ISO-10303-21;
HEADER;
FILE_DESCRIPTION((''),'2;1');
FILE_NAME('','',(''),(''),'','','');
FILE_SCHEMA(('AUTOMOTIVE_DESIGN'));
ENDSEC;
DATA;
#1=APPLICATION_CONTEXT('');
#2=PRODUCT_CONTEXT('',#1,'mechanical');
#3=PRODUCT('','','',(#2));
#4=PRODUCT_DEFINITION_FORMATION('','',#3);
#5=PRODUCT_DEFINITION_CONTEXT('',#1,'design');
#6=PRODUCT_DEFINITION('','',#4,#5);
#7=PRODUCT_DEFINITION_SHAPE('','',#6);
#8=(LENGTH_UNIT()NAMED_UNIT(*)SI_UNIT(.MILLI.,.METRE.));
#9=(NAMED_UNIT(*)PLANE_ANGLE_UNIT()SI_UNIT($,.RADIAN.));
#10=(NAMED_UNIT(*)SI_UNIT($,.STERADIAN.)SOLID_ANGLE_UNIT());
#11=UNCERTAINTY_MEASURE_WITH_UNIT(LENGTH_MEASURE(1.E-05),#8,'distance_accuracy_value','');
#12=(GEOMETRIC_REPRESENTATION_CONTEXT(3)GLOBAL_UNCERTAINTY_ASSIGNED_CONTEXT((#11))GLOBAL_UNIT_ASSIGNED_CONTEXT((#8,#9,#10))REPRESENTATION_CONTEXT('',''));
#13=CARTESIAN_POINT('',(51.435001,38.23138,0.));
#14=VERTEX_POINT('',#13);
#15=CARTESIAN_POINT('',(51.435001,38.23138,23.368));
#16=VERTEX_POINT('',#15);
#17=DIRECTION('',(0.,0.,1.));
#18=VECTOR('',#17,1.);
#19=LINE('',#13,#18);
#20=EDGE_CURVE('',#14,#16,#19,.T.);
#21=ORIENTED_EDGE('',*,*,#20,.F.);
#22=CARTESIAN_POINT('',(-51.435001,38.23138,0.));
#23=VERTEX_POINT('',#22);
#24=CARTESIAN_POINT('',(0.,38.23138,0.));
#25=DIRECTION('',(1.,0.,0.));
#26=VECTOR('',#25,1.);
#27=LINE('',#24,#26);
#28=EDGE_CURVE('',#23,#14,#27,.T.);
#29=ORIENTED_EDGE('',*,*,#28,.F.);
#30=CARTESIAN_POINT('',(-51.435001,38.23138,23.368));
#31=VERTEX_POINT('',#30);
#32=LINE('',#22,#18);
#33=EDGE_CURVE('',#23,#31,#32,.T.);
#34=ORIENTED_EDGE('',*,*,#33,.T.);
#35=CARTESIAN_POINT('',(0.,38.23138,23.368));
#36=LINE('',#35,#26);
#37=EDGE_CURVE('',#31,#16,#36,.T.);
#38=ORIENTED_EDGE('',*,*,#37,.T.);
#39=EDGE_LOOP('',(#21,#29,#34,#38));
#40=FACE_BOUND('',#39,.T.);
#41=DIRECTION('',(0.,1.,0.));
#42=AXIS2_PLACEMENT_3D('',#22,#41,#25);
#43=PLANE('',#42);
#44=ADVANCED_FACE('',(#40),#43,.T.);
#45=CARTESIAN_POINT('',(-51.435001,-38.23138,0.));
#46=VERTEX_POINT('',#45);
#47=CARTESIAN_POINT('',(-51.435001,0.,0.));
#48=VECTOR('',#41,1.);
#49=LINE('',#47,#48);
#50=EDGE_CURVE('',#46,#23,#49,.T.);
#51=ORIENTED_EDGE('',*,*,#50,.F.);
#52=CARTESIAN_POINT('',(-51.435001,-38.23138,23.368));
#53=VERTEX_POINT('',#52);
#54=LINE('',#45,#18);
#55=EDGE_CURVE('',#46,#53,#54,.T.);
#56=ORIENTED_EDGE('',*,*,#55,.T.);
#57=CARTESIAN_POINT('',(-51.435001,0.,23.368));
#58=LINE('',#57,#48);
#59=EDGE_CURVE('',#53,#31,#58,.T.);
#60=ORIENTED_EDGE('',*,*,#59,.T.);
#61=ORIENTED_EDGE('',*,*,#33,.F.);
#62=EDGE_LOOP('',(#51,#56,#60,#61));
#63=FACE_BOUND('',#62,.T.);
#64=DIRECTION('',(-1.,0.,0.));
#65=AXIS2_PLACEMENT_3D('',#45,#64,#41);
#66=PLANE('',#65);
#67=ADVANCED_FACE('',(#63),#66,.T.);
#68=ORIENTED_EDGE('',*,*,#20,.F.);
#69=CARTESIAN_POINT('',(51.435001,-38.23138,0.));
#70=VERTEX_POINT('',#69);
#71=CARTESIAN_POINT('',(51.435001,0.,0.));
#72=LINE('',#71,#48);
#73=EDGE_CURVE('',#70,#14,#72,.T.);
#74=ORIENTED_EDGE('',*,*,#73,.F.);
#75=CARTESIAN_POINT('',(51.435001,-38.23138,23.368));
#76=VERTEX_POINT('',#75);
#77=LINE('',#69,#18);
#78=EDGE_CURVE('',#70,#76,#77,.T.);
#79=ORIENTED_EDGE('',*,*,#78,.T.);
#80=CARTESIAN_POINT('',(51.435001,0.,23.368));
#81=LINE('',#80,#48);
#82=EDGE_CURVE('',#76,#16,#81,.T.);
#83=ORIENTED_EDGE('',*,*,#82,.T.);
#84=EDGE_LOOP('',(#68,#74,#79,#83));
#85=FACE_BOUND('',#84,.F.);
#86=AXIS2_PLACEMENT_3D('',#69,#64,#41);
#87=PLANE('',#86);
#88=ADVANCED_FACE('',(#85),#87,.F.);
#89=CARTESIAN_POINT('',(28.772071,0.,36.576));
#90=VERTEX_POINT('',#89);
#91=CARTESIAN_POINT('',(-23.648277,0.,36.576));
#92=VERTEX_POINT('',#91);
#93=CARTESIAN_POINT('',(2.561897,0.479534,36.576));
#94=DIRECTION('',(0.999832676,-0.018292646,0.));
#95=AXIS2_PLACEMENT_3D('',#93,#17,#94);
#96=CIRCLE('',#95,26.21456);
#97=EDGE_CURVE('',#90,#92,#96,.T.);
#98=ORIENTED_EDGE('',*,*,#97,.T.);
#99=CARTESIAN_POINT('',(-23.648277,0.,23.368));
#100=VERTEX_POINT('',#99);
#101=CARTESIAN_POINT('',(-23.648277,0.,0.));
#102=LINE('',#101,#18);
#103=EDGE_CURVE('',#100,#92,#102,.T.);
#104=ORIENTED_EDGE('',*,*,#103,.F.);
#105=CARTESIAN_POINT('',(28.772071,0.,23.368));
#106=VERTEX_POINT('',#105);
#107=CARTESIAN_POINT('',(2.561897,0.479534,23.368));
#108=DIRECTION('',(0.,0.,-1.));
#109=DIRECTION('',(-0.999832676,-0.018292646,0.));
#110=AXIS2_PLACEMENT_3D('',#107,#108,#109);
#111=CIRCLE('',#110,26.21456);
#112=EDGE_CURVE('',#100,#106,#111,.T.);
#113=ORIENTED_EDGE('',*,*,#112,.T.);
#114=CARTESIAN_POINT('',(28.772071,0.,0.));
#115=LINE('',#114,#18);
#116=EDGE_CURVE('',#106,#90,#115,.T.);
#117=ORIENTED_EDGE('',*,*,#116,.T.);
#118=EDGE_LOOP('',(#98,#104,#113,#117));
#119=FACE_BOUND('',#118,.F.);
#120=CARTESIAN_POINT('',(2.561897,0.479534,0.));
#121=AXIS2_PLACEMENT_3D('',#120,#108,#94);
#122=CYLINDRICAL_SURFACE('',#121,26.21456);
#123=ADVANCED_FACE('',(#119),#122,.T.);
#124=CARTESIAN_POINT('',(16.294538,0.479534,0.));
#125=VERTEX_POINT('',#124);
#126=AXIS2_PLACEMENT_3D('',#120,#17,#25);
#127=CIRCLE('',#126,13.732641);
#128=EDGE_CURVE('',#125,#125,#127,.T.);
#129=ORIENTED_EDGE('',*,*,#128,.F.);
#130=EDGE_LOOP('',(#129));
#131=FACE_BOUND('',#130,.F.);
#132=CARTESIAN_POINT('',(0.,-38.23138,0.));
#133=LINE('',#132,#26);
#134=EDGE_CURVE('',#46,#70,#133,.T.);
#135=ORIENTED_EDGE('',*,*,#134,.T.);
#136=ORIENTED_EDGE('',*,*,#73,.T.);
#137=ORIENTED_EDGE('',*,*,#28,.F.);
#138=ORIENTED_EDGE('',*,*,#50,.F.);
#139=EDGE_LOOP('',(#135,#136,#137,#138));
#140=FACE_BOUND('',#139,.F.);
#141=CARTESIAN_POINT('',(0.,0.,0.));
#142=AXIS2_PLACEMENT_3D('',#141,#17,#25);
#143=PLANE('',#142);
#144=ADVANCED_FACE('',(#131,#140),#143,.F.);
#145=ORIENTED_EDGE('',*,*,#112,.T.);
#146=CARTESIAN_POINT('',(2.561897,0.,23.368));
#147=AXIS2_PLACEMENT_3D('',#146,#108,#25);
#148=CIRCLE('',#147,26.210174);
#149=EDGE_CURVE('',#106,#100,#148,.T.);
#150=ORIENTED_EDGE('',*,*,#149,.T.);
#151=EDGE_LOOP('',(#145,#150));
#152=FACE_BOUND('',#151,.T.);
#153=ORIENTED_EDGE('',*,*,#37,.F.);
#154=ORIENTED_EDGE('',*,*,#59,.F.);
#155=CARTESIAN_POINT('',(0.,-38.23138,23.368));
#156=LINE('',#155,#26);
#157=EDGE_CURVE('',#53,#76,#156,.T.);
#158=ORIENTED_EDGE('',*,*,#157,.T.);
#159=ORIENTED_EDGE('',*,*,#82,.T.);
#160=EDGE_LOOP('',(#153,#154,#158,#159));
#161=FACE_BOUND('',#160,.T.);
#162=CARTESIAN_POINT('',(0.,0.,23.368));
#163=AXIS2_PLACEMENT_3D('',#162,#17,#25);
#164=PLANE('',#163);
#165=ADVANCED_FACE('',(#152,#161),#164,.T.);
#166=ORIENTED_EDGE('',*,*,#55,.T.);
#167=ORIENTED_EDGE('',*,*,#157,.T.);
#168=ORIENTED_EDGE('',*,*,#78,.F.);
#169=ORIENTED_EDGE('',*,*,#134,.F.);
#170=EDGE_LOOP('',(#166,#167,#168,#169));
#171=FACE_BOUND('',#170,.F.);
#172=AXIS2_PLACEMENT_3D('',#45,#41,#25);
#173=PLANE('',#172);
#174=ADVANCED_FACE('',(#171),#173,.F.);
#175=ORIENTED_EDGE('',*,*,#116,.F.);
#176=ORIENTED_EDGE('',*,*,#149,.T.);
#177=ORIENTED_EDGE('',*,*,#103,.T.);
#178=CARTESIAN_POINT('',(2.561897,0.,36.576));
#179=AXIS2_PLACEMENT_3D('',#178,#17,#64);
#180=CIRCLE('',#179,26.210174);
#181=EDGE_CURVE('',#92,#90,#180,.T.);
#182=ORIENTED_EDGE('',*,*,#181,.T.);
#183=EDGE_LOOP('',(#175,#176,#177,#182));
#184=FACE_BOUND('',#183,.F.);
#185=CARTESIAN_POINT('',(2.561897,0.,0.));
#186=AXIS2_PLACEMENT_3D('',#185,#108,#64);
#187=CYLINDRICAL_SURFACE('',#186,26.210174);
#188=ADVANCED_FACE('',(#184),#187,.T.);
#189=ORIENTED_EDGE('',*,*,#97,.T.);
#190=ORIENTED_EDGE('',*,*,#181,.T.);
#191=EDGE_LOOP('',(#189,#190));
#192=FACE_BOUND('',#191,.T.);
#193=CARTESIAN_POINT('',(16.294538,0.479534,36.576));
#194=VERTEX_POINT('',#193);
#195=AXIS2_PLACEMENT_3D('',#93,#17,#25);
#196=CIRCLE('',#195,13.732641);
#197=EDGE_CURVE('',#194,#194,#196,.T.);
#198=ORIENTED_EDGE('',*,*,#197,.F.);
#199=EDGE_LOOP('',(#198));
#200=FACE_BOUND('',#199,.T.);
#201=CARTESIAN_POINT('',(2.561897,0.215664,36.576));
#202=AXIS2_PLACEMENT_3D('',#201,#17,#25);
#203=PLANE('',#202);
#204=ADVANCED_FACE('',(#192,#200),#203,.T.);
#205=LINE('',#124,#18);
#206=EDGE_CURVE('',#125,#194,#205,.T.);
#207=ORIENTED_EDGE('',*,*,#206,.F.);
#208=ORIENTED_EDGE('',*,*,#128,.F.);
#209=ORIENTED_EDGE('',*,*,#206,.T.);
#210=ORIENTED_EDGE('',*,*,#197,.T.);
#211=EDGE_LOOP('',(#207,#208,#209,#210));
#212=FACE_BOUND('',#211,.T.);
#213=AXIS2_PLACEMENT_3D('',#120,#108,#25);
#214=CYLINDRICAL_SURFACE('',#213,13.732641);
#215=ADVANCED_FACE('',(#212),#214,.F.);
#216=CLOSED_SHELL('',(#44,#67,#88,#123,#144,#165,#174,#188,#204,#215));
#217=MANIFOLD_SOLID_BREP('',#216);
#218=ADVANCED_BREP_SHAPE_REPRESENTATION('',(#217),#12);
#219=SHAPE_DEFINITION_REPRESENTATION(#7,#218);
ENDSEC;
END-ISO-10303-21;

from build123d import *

# Parameters (mm, degrees)
F0_R     = 13.732641
F1_DEPTH = 36.576
F0_W     = 102.870002
F0_H     = 76.46276
F2_DEPTH = 23.368


with BuildPart() as f1:
    # F0 (on Top) → F1 (new body)
    with BuildSketch(Plane.XY):
        with BuildLine():
            ThreePointArc((28.772071, 0), (2.561897, 26.694094), (-23.648277, 0))
            ThreePointArc((-23.648277, 0), (2.561897, -26.210174), (28.772071, 0))
        make_face()
        with Locations((2.561897, 0.479534)):
            Circle(F0_R, mode=Mode.SUBTRACT)
    extrude(amount=F1_DEPTH)

    # F0 (on Top) → F2 (join)
    with BuildSketch(Plane.XY):
        Rectangle(F0_W, F0_H)
        with BuildLine():
            ThreePointArc((28.772071, 0), (2.561897, -26.210174), (-23.648277, 0))
            ThreePointArc((-23.648277, 0), (2.561897, 26.694094), (28.772071, 0))
        make_face(mode=Mode.SUBTRACT)
    extrude(amount=F2_DEPTH)


solid = f1.part
